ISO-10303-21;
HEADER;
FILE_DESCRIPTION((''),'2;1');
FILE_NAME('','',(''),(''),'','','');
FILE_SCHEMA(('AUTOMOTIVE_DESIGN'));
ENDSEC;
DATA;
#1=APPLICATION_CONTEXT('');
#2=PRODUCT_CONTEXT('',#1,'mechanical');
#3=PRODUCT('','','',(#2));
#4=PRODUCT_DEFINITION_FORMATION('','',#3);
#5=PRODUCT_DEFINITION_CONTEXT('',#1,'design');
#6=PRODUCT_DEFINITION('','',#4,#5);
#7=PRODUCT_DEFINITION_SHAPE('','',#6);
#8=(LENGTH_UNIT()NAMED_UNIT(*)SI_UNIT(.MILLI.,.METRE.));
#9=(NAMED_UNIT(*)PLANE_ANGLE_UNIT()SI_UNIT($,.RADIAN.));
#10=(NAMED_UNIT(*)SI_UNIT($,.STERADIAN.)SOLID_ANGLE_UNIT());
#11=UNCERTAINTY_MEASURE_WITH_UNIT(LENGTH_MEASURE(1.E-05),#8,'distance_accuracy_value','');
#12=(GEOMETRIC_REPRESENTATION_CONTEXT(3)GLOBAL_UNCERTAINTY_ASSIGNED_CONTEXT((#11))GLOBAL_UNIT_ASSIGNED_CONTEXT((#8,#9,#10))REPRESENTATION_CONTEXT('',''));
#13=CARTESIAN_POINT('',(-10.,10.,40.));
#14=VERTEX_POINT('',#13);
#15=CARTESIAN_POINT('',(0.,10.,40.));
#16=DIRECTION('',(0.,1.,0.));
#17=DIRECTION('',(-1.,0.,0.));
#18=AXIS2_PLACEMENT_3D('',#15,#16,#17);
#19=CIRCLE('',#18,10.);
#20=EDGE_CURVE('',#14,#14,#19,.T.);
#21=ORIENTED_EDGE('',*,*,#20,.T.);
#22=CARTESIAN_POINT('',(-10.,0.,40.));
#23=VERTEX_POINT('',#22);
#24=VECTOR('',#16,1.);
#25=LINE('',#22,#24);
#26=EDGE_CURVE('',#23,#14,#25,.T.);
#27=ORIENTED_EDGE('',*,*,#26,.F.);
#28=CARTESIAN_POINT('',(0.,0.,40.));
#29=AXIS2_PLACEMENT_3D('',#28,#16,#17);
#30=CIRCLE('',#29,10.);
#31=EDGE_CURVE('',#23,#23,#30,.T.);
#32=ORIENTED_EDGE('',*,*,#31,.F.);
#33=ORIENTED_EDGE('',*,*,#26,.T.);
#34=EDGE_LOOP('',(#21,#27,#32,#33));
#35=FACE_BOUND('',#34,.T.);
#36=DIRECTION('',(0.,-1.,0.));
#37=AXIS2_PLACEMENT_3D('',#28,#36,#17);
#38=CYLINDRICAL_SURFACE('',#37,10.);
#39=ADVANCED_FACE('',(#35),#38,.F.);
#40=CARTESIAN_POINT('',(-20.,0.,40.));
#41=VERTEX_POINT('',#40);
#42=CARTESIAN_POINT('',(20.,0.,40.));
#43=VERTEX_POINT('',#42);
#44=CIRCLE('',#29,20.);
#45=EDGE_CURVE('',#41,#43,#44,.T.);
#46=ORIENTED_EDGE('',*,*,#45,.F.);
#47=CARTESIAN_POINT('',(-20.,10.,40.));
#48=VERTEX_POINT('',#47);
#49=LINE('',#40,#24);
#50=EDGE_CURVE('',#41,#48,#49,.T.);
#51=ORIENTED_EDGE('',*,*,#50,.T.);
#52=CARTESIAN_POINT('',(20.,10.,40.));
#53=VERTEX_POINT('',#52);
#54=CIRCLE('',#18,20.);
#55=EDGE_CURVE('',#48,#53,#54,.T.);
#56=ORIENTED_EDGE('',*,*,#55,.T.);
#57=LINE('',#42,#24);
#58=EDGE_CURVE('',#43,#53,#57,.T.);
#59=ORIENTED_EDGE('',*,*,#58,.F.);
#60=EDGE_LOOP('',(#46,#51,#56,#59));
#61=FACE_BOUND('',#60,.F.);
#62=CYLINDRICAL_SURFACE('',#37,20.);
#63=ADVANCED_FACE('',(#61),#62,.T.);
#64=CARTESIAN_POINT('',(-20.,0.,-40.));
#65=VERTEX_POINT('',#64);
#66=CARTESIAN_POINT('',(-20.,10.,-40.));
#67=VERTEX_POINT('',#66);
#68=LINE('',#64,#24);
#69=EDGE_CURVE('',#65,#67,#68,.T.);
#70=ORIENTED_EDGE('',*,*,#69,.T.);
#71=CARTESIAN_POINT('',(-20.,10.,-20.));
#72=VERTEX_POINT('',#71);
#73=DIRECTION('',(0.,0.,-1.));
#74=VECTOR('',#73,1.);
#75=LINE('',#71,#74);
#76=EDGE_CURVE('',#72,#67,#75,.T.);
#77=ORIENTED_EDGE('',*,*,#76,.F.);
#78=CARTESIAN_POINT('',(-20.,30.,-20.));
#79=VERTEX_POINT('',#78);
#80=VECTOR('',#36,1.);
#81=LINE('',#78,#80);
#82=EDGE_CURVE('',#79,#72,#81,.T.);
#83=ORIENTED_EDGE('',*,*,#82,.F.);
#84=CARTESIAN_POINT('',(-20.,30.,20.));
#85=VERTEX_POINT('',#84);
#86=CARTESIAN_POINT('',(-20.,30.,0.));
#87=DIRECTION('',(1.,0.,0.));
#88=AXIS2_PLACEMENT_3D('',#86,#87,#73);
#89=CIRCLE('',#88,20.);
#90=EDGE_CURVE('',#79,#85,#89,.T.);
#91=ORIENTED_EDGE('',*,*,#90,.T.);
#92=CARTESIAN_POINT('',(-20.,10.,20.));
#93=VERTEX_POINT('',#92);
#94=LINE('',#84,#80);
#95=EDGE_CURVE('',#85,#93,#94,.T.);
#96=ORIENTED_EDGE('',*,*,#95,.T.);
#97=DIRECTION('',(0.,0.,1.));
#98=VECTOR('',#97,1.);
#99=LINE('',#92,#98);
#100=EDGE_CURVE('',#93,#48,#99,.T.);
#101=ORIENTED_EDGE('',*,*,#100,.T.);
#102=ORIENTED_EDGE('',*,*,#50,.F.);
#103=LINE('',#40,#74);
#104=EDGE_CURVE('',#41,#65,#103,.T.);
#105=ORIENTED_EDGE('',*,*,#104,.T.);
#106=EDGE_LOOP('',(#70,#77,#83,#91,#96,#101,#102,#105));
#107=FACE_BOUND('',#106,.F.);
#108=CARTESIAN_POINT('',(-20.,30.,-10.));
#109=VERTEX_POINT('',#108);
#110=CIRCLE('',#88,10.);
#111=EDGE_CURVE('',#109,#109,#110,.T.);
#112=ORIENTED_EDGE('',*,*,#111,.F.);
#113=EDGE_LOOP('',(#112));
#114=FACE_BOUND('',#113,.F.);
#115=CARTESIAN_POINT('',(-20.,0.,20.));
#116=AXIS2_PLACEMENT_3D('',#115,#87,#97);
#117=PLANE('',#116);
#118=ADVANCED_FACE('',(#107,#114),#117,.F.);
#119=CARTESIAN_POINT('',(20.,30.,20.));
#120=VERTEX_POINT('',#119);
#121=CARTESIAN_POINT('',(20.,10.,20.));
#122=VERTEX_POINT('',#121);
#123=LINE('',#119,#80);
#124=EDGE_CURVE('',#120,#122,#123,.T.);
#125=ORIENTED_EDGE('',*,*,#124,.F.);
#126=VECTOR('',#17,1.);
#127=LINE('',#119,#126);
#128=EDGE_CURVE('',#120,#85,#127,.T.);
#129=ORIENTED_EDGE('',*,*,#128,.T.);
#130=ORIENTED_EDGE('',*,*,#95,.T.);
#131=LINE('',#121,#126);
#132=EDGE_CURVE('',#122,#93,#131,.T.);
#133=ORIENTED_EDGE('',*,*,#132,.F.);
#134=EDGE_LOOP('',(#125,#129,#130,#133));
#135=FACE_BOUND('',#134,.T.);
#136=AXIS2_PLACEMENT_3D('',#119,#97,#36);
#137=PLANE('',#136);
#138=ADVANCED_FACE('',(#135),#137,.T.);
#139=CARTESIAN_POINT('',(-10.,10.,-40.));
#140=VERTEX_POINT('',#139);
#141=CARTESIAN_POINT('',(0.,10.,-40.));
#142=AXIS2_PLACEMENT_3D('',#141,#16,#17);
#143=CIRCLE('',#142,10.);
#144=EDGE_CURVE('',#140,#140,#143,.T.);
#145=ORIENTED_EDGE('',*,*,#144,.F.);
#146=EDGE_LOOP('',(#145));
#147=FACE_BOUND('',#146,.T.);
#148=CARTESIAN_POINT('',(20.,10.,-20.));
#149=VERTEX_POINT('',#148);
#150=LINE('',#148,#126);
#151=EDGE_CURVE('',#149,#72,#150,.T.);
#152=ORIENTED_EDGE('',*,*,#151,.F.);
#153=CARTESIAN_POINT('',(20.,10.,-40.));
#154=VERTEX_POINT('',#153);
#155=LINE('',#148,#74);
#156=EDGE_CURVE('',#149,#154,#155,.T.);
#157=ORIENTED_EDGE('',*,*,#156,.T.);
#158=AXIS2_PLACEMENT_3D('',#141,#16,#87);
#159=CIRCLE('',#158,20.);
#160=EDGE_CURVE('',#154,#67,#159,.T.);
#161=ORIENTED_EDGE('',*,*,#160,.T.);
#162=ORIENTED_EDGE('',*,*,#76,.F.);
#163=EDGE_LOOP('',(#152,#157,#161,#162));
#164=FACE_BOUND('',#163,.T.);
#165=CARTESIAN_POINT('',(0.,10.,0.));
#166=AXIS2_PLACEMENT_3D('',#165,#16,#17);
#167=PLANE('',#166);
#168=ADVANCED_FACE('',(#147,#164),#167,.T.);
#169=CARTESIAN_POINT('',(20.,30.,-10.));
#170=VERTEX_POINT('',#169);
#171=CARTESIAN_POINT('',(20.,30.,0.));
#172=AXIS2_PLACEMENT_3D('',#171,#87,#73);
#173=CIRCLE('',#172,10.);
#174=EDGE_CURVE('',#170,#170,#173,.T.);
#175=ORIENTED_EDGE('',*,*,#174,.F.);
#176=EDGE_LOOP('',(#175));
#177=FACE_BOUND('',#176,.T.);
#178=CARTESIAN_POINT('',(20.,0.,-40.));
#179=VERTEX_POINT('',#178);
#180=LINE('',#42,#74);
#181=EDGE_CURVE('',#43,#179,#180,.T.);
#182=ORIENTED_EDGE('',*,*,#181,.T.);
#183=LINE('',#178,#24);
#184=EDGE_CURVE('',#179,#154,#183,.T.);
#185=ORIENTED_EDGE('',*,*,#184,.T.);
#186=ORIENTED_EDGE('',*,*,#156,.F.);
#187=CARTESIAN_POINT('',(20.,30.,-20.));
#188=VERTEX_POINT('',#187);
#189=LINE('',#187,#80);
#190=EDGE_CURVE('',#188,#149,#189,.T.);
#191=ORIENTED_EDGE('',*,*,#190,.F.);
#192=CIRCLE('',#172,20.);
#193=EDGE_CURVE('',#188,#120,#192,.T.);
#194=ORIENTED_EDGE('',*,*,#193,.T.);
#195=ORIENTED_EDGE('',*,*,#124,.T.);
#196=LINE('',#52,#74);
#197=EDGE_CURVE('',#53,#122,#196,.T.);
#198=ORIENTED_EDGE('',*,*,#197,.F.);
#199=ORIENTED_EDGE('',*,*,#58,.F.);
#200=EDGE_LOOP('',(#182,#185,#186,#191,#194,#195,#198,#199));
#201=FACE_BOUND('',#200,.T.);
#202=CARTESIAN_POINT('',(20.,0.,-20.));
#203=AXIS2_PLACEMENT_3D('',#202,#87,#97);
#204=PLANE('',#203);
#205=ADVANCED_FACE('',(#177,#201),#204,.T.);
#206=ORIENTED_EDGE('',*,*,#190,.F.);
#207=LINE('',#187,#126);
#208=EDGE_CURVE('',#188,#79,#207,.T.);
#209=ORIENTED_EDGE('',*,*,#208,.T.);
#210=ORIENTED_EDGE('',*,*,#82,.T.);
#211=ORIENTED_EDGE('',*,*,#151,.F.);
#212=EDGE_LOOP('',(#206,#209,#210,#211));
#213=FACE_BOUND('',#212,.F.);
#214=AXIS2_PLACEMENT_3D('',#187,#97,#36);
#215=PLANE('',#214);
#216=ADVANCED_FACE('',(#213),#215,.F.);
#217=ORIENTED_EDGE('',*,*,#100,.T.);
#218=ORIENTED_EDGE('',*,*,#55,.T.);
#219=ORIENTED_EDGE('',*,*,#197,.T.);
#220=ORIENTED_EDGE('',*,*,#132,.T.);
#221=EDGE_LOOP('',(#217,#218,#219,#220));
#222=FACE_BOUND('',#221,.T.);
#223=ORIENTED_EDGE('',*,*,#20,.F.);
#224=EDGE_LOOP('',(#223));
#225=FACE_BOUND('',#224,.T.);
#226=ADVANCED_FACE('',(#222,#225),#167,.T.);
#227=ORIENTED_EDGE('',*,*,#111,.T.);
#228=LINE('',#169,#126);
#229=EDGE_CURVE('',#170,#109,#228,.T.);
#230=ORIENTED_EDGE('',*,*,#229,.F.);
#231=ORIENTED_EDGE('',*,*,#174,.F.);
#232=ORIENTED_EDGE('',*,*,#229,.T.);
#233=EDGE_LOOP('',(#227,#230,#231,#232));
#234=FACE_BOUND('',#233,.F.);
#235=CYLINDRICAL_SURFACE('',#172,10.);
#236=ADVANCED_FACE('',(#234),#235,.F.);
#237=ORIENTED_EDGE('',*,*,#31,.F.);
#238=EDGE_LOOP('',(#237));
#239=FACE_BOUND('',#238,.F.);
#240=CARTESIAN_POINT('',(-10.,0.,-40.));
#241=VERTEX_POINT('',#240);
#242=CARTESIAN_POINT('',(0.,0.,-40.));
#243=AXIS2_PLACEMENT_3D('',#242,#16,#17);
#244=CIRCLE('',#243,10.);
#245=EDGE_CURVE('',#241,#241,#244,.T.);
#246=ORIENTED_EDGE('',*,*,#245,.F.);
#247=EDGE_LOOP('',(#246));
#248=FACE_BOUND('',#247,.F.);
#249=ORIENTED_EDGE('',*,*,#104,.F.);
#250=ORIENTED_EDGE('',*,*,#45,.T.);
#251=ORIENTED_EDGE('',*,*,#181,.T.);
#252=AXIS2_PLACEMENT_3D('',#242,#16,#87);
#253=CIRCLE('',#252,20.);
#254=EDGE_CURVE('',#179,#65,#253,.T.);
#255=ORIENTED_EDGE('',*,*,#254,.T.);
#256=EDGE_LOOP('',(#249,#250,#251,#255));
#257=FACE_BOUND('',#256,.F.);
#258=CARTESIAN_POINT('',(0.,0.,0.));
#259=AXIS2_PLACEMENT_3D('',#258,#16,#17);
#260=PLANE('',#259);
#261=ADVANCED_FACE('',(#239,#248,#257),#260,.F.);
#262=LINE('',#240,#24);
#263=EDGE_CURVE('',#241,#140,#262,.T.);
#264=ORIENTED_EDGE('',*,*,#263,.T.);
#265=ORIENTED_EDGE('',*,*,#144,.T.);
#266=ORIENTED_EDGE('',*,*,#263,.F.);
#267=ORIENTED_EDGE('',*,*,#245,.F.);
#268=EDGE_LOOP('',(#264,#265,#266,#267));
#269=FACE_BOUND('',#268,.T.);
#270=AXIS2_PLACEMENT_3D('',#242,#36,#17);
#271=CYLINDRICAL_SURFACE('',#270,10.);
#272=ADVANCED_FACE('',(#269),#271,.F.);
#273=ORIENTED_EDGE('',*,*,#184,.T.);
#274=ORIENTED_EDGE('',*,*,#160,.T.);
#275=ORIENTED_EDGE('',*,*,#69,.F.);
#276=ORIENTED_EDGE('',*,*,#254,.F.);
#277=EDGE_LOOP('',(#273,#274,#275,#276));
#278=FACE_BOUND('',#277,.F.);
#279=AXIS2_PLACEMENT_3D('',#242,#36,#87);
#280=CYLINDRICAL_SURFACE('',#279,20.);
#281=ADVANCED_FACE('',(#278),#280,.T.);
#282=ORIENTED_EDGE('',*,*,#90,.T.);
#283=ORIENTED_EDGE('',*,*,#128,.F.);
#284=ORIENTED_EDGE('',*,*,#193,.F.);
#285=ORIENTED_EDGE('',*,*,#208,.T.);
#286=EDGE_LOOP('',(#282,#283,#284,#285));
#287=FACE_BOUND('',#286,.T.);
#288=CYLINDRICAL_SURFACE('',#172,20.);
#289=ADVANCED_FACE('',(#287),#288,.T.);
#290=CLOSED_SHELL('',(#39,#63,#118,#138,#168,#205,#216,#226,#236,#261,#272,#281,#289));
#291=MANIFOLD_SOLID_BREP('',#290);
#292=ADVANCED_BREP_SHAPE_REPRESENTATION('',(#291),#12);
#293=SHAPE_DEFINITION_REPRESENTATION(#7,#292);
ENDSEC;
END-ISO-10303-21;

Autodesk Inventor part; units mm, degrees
ref_plane "YZ Plane" through (0, 0, 0) normal (1, 0, 0) x (0, 1, 0)
ref_plane "XZ Plane" through (0, 0, 0) normal (0, 1, 0) x (-1, 0, 0)
ref_plane "XY Plane" through (0, 0, 0) normal (0, 0, 1) x (1, 0, 0)
sketch "Sketch1" plane through (0, 0, 0) normal (0, 0, 1) x (1, 0, 0)
  point P0 (0, 0)
sketch "Sketch2" plane through (0, 0, 0) normal (0, 1, 0) x (-1, 0, 0)
  line L0 (-20, -20) -> (-20, 20)
  line L1 (20, 20) -> (20, -20)
  line L2 (20, -20) -> (-20, 20) construction
  line L3 (-20, -20) -> (20, 20) construction
  arc A0 (20, 40) -> (-20, 40) centre (0, 40) ccw
  circle A1 centre (0, 40) radius 10
  arc A2 (-20, -40) -> (20, -40) centre (0, -40) ccw
  circle A3 centre (0, -40) radius 10
  line L4 (20, 20) -> (20, 40)
  line L5 (20, -20) -> (20, -40)
  line L6 (-20, 40) -> (-20, 20)
  line L7 (-20, -20) -> (-20, -40)
  point P0 (0, 0)
extrude "Extrusion1" add sketch "Sketch2" along normal blind 10
sketch "Sketch3" plane through (20, 0, 40) normal (1, 0, 0) x (0, 0, -1)
  line L0 (80, 10) -> (0, 10) construction
  line L1 (40, 10) -> (40, 30) construction
  circle A0 centre (40, 30) radius 10
  arc A1 (60, 30) -> (20, 30) centre (40, 30) ccw
  line L2 (20, 30) -> (20, 10)
  line L3 (60, 30) -> (60, 10)
  line L4 (20, 10) -> (60, 10)
  point P0 (40, 0)
extrude "Extrusion2" add sketch "Sketch3" against normal blind 40
thread "Thread1" size "M20x2.5" class "6H" standard "ANSI Metric M Profile" full length
thread "Thread2" size "M20x2.5" class "6H" standard "ANSI Metric M Profile" full length
thread "Thread3" size "M20x2.5" class "6H" standard "ANSI Metric M Profile" full length
sketch "Sketch4" plane through (20, 0, 40) normal (1, 0, 0) x (0, 0, -1)
  point P0 (40, 0)
properties part number "TAREA #1-1021920"
